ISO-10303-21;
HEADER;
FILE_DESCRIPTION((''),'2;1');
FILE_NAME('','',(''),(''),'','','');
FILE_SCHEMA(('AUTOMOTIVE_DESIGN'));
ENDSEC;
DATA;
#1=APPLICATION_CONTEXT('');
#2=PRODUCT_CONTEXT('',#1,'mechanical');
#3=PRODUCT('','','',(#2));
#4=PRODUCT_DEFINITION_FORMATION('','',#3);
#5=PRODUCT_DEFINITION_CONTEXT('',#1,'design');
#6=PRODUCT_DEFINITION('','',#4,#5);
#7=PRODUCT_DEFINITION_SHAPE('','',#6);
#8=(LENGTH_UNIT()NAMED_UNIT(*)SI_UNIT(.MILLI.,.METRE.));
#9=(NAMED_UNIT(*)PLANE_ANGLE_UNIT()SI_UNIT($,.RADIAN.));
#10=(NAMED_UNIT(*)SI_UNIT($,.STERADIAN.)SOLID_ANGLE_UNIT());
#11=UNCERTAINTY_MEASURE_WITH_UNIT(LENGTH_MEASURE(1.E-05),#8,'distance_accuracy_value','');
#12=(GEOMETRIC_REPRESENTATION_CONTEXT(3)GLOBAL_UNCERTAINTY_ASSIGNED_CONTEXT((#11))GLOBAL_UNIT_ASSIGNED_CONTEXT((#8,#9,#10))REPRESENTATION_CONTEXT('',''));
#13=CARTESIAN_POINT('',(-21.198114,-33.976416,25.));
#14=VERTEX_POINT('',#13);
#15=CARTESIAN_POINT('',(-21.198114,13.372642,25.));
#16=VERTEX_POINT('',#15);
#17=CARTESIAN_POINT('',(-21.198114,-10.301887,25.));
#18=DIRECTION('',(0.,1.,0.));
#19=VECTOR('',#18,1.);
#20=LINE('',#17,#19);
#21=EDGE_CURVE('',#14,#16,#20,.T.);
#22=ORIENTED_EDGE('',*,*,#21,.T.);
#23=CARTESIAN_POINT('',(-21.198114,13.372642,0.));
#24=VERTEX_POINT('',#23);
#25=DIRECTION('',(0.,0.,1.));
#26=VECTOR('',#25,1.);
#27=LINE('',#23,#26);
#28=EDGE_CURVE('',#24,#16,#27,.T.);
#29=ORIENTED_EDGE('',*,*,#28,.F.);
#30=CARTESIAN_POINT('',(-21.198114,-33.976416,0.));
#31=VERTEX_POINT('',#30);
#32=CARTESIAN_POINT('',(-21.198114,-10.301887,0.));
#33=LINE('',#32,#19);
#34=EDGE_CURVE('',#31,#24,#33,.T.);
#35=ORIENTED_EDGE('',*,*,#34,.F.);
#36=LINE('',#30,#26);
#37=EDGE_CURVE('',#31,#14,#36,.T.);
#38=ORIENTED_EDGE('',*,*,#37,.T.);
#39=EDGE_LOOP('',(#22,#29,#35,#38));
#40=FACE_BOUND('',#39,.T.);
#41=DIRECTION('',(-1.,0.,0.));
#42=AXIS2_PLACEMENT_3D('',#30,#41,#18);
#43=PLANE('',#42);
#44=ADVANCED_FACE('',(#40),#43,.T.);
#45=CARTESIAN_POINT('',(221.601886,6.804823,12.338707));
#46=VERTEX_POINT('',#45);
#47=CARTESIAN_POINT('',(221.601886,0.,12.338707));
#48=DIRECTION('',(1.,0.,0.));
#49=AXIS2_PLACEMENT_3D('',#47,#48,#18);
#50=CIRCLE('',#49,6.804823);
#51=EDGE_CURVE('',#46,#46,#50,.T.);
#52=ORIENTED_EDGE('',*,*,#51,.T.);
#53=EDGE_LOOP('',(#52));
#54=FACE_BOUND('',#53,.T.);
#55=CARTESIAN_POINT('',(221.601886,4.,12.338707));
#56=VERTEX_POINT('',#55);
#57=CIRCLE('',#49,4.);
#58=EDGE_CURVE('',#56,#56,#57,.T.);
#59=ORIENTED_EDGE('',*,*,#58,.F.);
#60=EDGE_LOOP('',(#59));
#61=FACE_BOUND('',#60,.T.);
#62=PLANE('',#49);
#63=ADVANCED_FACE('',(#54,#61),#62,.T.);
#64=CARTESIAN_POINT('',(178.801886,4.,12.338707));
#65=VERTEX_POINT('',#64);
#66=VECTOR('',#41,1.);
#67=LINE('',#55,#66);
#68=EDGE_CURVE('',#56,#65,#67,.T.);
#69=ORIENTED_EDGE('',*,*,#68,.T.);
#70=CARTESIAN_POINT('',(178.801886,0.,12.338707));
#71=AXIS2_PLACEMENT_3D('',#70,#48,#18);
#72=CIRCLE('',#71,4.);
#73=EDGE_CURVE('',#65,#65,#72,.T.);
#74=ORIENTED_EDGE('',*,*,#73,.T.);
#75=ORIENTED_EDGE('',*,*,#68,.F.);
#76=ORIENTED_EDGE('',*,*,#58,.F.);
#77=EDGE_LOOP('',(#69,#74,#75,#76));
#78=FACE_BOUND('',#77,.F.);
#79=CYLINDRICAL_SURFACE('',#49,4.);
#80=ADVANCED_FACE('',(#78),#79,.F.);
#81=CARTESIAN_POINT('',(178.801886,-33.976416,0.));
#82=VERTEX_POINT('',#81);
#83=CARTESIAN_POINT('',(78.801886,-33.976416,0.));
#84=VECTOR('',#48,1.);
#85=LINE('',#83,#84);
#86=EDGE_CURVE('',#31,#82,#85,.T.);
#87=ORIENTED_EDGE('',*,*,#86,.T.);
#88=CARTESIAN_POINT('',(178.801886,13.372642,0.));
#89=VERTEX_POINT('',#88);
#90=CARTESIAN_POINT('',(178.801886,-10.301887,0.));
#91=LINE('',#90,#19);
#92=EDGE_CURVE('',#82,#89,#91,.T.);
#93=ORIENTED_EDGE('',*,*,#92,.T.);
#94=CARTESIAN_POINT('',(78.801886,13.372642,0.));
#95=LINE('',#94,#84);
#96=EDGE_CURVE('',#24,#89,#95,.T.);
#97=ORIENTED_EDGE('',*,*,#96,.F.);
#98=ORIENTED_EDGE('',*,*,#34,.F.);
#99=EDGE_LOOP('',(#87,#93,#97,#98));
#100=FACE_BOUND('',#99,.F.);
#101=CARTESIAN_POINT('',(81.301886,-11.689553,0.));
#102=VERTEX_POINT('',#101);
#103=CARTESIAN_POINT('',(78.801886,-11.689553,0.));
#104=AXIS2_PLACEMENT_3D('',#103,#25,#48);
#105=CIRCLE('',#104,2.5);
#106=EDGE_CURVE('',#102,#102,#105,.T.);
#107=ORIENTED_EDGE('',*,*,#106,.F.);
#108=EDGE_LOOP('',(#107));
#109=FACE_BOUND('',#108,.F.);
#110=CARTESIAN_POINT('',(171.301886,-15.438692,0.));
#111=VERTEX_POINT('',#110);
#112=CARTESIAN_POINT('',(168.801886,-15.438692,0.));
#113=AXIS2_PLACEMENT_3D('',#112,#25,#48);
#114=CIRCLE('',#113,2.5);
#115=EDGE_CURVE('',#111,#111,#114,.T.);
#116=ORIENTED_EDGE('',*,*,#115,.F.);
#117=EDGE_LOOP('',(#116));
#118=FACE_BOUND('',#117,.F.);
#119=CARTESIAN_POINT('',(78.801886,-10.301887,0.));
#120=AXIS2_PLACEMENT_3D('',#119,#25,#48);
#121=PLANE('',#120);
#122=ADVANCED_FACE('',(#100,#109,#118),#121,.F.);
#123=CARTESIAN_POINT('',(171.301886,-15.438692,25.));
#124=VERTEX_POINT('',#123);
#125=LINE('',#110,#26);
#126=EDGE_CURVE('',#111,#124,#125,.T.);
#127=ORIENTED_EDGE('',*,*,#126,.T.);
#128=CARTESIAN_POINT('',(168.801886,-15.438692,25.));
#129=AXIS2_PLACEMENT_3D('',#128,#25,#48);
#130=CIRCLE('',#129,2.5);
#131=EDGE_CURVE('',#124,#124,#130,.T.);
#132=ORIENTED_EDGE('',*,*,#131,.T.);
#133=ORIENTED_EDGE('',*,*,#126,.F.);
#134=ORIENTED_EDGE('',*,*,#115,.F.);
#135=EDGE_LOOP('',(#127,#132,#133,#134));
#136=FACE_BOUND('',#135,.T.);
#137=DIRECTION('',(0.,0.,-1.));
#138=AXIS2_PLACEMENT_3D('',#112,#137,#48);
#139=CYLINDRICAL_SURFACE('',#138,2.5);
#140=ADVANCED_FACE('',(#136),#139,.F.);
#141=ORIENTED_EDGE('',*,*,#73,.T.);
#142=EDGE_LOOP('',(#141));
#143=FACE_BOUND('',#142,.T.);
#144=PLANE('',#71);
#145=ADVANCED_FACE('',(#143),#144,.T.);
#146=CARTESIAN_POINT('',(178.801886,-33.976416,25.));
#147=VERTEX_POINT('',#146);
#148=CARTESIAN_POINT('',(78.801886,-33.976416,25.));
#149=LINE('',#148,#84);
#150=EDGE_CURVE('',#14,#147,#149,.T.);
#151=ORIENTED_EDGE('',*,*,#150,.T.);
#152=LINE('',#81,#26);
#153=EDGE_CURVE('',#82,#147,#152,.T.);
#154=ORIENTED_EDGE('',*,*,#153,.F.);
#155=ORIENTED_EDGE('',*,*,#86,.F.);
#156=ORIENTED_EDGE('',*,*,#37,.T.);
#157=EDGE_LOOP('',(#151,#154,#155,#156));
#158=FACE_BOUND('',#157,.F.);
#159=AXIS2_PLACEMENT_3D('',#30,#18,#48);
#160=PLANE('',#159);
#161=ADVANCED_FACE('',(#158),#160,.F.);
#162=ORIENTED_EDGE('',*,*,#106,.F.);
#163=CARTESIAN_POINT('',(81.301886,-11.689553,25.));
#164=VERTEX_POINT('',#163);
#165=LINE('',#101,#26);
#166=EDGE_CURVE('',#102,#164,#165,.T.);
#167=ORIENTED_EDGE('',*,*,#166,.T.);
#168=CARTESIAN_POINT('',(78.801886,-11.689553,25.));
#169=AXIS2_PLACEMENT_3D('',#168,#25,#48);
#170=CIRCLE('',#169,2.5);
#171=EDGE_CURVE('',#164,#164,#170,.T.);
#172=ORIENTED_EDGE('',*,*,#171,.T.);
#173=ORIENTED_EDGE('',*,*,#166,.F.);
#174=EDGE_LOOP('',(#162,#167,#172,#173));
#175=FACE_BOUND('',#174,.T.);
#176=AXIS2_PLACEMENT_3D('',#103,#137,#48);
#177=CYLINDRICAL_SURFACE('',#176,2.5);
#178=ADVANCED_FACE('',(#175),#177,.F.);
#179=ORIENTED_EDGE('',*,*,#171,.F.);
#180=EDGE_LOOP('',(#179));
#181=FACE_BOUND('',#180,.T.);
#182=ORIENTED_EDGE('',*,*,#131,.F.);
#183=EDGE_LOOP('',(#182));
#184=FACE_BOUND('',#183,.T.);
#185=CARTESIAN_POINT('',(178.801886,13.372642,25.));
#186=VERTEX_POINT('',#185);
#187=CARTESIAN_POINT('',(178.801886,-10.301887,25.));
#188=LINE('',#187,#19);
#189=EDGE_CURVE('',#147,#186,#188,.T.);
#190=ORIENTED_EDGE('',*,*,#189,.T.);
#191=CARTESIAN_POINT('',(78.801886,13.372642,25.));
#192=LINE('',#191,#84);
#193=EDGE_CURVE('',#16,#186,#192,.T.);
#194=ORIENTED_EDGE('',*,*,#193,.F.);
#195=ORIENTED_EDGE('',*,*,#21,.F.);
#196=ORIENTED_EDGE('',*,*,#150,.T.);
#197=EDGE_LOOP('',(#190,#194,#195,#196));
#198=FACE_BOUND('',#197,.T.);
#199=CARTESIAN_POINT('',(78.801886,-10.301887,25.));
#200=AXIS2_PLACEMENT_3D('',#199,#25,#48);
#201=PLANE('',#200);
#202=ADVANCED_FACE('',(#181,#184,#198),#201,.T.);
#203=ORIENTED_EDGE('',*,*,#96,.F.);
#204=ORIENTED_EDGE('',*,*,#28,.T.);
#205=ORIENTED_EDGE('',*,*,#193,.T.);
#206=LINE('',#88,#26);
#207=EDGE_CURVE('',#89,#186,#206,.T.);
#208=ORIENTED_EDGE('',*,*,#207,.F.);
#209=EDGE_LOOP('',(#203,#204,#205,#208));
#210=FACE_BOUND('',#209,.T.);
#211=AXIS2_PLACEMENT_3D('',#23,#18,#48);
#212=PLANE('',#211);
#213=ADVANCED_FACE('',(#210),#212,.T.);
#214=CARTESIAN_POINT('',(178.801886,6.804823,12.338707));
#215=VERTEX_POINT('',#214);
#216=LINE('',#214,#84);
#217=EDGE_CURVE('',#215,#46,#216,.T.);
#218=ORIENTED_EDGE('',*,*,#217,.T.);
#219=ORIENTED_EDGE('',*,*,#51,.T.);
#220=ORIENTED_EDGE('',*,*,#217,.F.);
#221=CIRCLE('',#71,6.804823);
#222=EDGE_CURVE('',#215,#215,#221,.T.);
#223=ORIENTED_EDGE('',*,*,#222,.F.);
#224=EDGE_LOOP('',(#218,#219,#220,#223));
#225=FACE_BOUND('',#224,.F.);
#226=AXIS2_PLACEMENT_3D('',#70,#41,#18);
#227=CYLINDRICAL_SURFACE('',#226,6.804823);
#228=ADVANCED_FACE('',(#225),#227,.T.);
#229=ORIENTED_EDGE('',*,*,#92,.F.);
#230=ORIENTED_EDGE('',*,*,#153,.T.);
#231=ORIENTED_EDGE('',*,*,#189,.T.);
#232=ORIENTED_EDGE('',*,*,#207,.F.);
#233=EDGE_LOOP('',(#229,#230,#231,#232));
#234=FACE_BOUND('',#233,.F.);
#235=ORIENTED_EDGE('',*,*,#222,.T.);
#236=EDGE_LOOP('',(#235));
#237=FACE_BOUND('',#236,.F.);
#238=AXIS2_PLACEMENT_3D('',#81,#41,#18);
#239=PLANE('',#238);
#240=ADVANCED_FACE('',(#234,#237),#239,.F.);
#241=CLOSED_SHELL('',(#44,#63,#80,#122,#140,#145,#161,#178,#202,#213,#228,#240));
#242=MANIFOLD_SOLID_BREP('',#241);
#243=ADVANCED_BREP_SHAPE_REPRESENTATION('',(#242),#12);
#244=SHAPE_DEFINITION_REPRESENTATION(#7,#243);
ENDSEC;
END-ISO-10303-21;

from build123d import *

# Parameters (mm, degrees)
F0_W     = 200
F0_H     = 47.349059
F0_R     = 2.5
F1_DEPTH = 25
F2_R     = 6.804823
F3_DEPTH = 42.8
F4_R     = 4
F5_DEPTH = 42.8


with BuildPart() as f1:
    # F0 (on Top) → F1 (new body)
    with BuildSketch(Plane.XY):
        with Locations((78.801886, -10.301887)):
            Rectangle(F0_W, F0_H)
        with Locations((78.801886, -11.689553)):
            Circle(F0_R, mode=Mode.SUBTRACT)
        with Locations((168.801886, -15.438692)):
            Circle(F0_R, mode=Mode.SUBTRACT)
    extrude(amount=F1_DEPTH)

    # F2 (on face) → F3 (join)
    with BuildSketch(Plane.YZ.offset(178.801886)):
        with Locations((0, 12.338707)):
            Circle(F2_R)
    extrude(amount=F3_DEPTH)

    # F4 (on face) → F5 (cut, through all)
    with BuildSketch(Plane.YZ.offset(221.601886)):
        with Locations((0, 12.338707)):
            Circle(F4_R)
    extrude(amount=-F5_DEPTH, mode=Mode.SUBTRACT)


solid = f1.part
